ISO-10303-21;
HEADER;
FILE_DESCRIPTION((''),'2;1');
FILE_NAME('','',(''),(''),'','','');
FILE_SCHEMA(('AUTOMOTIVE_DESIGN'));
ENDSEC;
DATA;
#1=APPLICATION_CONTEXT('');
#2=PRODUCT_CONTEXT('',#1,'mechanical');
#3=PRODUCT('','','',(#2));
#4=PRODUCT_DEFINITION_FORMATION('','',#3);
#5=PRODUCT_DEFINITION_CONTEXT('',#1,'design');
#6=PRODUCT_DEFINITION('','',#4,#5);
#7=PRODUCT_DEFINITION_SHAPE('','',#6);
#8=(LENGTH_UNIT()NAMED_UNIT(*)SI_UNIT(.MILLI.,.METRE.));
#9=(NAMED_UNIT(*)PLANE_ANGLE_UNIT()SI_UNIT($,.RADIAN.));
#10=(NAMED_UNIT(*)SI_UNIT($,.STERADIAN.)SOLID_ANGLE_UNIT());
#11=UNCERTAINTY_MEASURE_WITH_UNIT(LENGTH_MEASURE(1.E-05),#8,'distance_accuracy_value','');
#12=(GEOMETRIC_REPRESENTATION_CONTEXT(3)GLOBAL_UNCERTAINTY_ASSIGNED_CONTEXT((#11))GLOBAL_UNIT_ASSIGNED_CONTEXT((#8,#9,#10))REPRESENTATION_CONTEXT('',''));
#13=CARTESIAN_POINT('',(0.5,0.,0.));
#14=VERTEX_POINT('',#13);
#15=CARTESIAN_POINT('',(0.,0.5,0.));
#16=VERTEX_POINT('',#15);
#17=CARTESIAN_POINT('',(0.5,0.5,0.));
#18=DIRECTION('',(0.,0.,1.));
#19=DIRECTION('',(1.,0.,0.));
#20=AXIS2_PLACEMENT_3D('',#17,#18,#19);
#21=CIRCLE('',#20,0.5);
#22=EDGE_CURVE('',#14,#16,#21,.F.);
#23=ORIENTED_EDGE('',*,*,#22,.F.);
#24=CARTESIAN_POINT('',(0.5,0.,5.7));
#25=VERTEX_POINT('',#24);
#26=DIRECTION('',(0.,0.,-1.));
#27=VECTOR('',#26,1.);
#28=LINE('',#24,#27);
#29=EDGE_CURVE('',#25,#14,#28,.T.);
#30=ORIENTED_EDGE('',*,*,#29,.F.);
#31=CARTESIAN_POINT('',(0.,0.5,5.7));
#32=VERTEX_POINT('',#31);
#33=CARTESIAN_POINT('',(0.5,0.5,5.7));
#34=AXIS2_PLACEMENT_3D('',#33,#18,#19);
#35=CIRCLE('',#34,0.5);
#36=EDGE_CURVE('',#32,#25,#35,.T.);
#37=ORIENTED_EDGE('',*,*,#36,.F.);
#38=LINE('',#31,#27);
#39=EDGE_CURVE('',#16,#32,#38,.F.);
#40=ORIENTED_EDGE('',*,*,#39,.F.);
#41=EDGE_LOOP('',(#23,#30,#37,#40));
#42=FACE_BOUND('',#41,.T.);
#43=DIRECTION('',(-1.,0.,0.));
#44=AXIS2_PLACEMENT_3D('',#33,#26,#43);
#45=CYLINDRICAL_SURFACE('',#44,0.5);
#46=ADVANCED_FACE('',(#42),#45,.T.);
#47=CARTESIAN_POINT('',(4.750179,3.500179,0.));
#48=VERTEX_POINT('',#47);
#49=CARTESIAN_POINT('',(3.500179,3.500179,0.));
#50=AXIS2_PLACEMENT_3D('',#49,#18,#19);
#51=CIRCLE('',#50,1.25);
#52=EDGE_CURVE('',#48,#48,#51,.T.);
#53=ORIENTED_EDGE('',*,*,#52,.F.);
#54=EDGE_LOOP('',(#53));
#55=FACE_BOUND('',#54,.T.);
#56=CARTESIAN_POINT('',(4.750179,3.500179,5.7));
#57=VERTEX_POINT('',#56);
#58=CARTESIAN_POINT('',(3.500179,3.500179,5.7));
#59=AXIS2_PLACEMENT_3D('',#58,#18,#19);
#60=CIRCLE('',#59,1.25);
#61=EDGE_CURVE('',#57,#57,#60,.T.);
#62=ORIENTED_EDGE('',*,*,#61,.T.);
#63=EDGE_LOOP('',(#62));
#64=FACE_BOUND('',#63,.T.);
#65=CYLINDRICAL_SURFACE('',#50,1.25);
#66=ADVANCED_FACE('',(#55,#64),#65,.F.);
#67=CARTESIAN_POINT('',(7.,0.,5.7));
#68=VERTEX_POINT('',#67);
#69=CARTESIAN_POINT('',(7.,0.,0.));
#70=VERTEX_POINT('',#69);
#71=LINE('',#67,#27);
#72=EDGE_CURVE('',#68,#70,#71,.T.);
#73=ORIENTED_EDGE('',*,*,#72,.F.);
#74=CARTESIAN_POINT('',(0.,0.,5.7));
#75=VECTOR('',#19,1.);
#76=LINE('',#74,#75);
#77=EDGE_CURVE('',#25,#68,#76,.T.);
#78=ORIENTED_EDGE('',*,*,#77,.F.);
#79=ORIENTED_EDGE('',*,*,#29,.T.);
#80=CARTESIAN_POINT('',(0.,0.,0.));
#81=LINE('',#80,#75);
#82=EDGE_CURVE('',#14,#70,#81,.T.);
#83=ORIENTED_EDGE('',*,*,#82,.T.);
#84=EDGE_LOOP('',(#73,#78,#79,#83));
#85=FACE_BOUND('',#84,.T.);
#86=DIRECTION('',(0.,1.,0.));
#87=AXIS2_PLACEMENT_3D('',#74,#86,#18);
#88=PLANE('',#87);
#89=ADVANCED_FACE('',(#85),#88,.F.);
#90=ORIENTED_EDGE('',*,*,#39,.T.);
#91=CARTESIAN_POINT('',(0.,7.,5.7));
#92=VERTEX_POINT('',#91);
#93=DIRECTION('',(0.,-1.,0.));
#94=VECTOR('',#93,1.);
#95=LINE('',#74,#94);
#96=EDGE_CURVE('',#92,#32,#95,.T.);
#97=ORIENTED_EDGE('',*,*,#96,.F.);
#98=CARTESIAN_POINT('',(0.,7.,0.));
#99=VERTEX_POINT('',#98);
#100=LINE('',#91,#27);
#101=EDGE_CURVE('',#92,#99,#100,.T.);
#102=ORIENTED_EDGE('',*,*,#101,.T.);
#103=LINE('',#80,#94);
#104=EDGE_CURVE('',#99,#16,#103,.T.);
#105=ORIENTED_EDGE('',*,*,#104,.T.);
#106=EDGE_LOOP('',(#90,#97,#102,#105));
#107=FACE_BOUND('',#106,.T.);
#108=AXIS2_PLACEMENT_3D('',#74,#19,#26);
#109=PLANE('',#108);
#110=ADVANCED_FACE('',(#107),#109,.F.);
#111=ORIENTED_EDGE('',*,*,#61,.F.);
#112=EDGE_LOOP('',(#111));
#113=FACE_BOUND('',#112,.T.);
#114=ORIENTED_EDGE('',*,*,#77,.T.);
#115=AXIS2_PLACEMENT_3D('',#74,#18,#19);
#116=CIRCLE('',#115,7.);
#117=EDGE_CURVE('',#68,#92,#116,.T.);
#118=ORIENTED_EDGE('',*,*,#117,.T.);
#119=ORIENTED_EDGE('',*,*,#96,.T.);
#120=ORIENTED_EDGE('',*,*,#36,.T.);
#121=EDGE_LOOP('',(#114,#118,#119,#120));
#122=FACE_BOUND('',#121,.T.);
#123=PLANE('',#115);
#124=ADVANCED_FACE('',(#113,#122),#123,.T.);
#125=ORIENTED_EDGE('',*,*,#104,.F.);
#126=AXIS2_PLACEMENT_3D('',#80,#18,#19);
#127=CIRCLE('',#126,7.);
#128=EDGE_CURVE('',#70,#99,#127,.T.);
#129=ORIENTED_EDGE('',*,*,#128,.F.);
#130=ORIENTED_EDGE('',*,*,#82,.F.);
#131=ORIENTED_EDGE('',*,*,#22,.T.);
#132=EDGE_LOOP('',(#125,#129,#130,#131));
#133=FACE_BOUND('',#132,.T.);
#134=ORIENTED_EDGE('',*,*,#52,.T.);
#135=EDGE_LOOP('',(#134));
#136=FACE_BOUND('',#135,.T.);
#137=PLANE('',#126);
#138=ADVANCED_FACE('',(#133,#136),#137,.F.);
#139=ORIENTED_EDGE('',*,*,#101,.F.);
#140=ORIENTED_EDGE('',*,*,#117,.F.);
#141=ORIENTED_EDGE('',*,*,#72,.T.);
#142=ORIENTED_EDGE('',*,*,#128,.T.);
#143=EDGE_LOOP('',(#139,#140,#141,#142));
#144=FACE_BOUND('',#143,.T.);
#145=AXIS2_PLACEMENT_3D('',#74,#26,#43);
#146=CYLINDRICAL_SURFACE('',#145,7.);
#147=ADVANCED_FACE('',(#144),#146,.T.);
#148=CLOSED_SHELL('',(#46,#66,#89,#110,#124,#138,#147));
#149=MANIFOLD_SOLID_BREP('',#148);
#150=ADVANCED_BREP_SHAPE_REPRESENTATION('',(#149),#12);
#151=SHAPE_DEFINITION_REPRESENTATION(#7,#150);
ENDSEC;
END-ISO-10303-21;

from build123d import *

# Parameters (mm, degrees)
P_IDAT_VYSUNUT_M1_DEPTH  = 5.7
SKICA2_R                 = 1.25
ODEBRAT_VYSUNUT_M1_DEPTH = 6.7
ZAOBLIT1_R               = 0.5


with BuildPart() as part:
    # Skica1 → Přidat vysunutím1 (new body)
    with BuildSketch(Plane.XY):
        with BuildLine():
            Line((0, 0), (7, 0))
            ThreePointArc((7, 0), (4.949747468, 4.949747468), (0, 7))
            Line((0, 7), (0, 0))
        make_face()
    extrude(amount=P_IDAT_VYSUNUT_M1_DEPTH)

    # Skica2 → Odebrat vysunutím1 (cut, through all)
    with BuildSketch(Plane.XY.offset(5.7)):
        with Locations((3.500178567, 3.500178567)):
            Circle(SKICA2_R)
    extrude(amount=-ODEBRAT_VYSUNUT_M1_DEPTH, mode=Mode.SUBTRACT)

    # Zaoblit1
    zaoblit1_edges = [part.edges().sort_by_distance(p)[0] for p in [
        (0, 0, 2.85),
    ]]
    fillet(zaoblit1_edges, radius=ZAOBLIT1_R)


solid = part.part
